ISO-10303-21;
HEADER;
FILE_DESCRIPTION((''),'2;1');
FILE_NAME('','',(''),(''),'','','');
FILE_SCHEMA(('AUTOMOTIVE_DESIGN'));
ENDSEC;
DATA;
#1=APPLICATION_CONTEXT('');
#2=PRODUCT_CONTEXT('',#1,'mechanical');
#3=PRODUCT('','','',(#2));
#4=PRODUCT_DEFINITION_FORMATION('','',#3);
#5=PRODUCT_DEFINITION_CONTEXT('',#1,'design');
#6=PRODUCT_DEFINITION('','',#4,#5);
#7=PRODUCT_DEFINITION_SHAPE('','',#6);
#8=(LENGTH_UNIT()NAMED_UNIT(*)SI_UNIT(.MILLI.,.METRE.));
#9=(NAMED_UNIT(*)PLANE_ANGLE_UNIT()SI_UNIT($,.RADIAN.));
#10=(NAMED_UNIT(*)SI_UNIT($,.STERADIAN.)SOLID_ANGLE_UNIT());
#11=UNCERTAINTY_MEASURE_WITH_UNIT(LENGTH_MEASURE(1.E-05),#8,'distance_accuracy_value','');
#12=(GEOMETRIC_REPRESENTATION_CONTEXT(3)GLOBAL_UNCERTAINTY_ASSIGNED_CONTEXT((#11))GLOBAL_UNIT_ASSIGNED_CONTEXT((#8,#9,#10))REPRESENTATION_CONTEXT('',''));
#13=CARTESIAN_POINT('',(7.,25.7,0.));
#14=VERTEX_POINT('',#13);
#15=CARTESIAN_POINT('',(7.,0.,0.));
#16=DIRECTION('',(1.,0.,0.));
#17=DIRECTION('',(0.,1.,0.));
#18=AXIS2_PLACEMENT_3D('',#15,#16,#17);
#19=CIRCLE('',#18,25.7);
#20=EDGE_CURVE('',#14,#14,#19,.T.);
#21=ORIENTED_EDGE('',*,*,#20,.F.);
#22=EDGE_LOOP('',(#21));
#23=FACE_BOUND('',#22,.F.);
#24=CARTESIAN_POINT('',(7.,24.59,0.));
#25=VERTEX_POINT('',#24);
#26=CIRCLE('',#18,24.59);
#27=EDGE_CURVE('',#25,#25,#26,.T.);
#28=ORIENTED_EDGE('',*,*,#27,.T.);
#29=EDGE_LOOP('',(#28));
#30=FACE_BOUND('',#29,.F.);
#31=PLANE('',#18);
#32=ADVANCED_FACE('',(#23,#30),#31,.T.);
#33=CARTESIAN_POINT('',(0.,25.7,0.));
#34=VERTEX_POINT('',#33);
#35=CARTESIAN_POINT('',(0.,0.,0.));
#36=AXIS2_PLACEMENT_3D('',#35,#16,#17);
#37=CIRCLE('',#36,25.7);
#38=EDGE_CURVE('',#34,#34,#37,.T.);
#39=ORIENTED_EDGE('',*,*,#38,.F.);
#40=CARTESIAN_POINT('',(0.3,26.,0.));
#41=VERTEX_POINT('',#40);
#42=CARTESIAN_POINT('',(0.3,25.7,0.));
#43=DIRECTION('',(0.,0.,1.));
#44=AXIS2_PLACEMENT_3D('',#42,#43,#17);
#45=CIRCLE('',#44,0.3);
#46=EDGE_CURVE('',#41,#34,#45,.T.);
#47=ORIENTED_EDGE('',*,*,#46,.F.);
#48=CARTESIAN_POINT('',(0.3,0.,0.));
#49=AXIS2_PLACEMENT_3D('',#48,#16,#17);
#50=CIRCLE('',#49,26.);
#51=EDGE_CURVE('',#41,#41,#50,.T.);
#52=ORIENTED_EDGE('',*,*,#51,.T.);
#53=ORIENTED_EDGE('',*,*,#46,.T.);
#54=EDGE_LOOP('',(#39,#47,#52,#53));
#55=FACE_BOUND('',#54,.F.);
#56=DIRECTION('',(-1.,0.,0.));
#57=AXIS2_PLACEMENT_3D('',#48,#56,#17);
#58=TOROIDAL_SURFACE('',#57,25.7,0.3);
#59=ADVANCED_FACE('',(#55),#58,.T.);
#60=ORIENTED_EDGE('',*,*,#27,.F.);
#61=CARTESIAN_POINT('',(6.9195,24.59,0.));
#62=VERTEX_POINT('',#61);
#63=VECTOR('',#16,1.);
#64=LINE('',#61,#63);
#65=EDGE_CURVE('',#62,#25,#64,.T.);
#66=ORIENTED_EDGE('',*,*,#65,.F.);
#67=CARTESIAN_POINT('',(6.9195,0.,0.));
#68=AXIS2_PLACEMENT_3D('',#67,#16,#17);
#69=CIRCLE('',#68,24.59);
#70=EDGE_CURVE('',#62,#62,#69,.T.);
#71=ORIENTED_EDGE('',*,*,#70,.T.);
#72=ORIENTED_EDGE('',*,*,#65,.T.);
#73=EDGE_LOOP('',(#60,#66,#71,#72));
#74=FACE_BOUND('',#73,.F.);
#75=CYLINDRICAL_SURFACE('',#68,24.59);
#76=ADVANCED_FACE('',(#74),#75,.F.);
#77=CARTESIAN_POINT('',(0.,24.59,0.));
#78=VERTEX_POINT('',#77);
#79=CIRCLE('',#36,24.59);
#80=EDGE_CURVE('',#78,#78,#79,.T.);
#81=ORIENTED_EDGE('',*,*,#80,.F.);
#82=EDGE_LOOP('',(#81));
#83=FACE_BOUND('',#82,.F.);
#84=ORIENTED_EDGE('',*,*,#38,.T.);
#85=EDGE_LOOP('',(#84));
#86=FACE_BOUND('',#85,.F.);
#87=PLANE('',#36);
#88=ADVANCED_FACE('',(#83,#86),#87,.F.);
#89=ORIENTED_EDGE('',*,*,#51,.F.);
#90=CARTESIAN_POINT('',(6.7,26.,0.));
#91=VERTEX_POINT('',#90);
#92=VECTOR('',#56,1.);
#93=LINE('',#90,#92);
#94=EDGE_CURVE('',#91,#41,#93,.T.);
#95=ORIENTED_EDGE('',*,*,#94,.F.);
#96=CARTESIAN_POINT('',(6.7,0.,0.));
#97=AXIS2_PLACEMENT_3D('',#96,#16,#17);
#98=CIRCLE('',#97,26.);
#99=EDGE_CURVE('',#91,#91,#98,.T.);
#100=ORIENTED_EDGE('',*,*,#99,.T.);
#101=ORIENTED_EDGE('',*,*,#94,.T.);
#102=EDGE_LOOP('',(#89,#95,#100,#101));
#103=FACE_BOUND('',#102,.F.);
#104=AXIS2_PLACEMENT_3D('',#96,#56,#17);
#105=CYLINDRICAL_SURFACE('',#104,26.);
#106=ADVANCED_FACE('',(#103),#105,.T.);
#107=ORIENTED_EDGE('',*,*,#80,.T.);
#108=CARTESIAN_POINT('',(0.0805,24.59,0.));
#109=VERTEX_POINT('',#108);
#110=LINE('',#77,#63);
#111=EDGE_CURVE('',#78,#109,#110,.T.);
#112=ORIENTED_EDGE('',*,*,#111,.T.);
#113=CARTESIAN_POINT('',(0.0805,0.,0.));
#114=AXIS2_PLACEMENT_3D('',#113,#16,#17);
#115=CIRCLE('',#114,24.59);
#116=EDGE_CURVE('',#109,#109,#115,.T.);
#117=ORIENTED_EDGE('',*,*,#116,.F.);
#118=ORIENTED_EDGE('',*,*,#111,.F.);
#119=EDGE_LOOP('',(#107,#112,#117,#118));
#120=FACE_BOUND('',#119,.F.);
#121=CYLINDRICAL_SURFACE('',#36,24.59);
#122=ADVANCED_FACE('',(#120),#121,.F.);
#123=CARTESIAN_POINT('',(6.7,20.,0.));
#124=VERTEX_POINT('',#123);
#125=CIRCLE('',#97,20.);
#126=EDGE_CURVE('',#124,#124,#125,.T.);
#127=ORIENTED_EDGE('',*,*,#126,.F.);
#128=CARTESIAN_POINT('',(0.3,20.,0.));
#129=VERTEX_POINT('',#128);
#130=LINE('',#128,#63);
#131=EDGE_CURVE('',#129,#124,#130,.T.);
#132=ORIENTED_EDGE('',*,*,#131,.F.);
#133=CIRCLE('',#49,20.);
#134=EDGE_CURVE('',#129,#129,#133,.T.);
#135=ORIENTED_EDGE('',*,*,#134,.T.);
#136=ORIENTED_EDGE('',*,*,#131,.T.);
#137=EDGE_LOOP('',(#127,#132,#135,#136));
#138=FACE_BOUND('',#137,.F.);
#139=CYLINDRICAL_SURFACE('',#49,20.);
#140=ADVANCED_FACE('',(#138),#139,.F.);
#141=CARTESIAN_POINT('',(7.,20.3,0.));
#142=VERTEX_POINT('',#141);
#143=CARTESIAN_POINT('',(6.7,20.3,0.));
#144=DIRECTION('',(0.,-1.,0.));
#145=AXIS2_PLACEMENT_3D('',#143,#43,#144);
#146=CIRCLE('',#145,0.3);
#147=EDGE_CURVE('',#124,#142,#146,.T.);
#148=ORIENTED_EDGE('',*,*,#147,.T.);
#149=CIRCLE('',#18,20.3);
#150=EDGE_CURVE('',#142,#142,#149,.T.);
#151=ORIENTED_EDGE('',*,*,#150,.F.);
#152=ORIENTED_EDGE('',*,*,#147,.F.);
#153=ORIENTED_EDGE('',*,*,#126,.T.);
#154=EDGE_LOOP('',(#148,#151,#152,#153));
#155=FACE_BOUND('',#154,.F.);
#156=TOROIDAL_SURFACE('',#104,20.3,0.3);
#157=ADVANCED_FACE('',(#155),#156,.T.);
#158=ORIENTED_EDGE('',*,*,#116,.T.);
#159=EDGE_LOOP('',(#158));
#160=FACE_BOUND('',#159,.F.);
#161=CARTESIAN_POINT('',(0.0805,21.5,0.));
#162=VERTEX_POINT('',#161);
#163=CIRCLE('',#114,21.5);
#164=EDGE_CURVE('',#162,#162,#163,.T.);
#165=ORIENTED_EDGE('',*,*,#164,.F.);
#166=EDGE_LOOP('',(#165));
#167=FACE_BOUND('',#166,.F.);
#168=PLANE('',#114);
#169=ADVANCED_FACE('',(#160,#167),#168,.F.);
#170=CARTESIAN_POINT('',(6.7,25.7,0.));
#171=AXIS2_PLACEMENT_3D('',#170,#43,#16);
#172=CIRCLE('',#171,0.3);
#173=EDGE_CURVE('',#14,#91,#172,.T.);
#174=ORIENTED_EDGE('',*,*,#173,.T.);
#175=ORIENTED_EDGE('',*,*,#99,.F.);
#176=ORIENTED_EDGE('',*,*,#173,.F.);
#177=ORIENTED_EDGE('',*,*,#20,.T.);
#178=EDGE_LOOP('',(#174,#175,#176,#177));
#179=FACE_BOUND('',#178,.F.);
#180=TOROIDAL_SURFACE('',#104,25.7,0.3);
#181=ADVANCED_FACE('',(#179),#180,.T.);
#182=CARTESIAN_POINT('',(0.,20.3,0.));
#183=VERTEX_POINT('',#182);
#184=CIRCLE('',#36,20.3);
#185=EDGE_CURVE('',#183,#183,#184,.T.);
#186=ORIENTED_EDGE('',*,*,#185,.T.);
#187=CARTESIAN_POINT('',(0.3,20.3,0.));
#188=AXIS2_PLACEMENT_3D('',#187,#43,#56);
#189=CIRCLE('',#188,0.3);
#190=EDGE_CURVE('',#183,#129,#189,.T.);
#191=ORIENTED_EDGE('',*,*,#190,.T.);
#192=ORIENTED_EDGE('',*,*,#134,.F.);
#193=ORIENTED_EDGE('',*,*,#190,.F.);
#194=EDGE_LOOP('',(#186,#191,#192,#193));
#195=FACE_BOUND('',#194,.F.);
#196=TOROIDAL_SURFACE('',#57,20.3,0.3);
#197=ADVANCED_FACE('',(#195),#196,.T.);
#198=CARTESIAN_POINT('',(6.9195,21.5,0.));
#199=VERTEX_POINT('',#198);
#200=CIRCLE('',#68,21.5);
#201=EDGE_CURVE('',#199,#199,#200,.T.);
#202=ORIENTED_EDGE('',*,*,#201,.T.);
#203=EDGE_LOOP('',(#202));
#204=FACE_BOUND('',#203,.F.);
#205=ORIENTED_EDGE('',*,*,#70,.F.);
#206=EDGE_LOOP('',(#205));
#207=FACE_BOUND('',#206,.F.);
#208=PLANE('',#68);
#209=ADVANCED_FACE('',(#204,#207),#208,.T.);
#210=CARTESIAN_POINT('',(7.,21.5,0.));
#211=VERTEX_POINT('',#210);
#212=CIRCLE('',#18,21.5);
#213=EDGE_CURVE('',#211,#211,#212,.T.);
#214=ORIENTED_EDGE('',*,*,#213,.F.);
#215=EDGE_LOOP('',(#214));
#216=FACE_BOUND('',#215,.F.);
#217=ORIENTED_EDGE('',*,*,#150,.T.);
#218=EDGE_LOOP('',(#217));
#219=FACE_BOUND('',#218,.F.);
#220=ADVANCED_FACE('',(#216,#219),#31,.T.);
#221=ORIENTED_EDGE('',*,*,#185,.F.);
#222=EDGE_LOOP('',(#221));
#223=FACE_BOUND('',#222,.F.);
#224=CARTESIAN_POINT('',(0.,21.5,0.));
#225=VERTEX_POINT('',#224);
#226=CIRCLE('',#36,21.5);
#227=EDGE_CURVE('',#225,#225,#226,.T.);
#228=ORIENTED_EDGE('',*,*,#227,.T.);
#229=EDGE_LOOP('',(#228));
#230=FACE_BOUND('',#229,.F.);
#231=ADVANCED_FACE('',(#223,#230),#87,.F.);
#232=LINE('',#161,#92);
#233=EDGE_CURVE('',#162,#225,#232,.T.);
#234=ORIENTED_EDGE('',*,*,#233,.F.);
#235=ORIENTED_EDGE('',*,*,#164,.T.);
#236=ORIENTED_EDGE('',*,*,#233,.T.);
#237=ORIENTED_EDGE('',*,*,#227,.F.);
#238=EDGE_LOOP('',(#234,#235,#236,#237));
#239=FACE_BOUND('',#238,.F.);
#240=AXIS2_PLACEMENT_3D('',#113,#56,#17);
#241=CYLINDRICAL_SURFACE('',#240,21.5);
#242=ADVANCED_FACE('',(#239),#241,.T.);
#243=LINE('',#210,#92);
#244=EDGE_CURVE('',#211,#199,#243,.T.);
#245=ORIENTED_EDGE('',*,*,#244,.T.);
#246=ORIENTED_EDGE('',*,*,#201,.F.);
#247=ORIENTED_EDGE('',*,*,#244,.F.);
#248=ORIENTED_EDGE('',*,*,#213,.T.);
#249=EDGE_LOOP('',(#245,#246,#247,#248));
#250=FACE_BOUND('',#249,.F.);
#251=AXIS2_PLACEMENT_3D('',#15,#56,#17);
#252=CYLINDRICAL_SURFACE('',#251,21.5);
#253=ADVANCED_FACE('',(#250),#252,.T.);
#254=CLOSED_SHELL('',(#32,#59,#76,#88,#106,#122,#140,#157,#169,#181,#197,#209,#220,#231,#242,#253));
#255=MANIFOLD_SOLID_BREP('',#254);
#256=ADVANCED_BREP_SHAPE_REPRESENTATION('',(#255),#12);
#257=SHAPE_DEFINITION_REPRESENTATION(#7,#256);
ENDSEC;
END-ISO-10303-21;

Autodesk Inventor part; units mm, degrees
sketch "Sketch_1" plane through (0, 0, 0) normal (0, 0, 1) x (1, 0, 0)
  line L0 (7, 0) -> (0, 0)
  arc A0 (0, 20.3) -> (0.3, 20) centre (0.3, 20.3) ccw
  line L1 (0.3, 20) -> (6.7, 20)
  arc A1 (6.7, 20) -> (7, 20.3) centre (6.7, 20.3) ccw
  line L2 (7, 20.3) -> (7, 21.5)
  line L3 (7, 21.5) -> (6.9195, 21.5)
  line L4 (6.9195, 21.5) -> (6.9195, 24.59)
  line L5 (6.9195, 24.59) -> (7, 24.59)
  line L6 (7, 24.59) -> (7, 25.7)
  arc A2 (7, 25.7) -> (6.7, 26) centre (6.7, 25.7) ccw
  line L7 (6.7, 26) -> (0.3, 26)
  arc A3 (0.3, 26) -> (0, 25.7) centre (0.3, 25.7) ccw
  line L8 (0, 25.7) -> (0, 24.59)
  line L9 (0, 24.59) -> (0.0805, 24.59)
  line L10 (0.0805, 24.59) -> (0.0805, 21.5)
  line L11 (0.0805, 21.5) -> (0, 21.5)
  line L12 (0, 21.5) -> (0, 20.3)
revolve "Revolution1" add sketch "Sketch_1" angle 360 about axis through (7, 0, 0) along (1, 0, 0)
ref_plane "center_point_XY" through (3.5, 0, 0) normal (1, 0, 0) x (0, 0, -1)
ref_plane "center_point_YZ" through (3.5, 0, 0) normal (0, 0, -1) x (0, 1, 0)
ref_plane "center_point_ZX" through (3.5, 0, 0) normal (0, 1, 0) x (1, 0, 0)
ref_plane "to_housing_XY" through (0, 0, 0) normal (1, 0, 0) x (0, 0, -1)
ref_plane "to_housing_YZ" through (0, 0, 0) normal (0, 0, -1) x (0, 1, 0)
ref_plane "to_housing_ZX" through (0, 0, 0) normal (0, 1, 0) x (1, 0, 0)
ref_plane "to_ring_XY" through (6.839, 0, 0) normal (1, 0, 0) x (0, 0, -1)
ref_plane "to_ring_YZ" through (6.839, 0, 0) normal (0, 0, -1) x (0, 1, 0)
ref_plane "to_ring_ZX" through (6.839, 0, 0) normal (0, 1, 0) x (1, 0, 0)
properties part number "B6808ZZ" material "鋼、炭素鋼"
